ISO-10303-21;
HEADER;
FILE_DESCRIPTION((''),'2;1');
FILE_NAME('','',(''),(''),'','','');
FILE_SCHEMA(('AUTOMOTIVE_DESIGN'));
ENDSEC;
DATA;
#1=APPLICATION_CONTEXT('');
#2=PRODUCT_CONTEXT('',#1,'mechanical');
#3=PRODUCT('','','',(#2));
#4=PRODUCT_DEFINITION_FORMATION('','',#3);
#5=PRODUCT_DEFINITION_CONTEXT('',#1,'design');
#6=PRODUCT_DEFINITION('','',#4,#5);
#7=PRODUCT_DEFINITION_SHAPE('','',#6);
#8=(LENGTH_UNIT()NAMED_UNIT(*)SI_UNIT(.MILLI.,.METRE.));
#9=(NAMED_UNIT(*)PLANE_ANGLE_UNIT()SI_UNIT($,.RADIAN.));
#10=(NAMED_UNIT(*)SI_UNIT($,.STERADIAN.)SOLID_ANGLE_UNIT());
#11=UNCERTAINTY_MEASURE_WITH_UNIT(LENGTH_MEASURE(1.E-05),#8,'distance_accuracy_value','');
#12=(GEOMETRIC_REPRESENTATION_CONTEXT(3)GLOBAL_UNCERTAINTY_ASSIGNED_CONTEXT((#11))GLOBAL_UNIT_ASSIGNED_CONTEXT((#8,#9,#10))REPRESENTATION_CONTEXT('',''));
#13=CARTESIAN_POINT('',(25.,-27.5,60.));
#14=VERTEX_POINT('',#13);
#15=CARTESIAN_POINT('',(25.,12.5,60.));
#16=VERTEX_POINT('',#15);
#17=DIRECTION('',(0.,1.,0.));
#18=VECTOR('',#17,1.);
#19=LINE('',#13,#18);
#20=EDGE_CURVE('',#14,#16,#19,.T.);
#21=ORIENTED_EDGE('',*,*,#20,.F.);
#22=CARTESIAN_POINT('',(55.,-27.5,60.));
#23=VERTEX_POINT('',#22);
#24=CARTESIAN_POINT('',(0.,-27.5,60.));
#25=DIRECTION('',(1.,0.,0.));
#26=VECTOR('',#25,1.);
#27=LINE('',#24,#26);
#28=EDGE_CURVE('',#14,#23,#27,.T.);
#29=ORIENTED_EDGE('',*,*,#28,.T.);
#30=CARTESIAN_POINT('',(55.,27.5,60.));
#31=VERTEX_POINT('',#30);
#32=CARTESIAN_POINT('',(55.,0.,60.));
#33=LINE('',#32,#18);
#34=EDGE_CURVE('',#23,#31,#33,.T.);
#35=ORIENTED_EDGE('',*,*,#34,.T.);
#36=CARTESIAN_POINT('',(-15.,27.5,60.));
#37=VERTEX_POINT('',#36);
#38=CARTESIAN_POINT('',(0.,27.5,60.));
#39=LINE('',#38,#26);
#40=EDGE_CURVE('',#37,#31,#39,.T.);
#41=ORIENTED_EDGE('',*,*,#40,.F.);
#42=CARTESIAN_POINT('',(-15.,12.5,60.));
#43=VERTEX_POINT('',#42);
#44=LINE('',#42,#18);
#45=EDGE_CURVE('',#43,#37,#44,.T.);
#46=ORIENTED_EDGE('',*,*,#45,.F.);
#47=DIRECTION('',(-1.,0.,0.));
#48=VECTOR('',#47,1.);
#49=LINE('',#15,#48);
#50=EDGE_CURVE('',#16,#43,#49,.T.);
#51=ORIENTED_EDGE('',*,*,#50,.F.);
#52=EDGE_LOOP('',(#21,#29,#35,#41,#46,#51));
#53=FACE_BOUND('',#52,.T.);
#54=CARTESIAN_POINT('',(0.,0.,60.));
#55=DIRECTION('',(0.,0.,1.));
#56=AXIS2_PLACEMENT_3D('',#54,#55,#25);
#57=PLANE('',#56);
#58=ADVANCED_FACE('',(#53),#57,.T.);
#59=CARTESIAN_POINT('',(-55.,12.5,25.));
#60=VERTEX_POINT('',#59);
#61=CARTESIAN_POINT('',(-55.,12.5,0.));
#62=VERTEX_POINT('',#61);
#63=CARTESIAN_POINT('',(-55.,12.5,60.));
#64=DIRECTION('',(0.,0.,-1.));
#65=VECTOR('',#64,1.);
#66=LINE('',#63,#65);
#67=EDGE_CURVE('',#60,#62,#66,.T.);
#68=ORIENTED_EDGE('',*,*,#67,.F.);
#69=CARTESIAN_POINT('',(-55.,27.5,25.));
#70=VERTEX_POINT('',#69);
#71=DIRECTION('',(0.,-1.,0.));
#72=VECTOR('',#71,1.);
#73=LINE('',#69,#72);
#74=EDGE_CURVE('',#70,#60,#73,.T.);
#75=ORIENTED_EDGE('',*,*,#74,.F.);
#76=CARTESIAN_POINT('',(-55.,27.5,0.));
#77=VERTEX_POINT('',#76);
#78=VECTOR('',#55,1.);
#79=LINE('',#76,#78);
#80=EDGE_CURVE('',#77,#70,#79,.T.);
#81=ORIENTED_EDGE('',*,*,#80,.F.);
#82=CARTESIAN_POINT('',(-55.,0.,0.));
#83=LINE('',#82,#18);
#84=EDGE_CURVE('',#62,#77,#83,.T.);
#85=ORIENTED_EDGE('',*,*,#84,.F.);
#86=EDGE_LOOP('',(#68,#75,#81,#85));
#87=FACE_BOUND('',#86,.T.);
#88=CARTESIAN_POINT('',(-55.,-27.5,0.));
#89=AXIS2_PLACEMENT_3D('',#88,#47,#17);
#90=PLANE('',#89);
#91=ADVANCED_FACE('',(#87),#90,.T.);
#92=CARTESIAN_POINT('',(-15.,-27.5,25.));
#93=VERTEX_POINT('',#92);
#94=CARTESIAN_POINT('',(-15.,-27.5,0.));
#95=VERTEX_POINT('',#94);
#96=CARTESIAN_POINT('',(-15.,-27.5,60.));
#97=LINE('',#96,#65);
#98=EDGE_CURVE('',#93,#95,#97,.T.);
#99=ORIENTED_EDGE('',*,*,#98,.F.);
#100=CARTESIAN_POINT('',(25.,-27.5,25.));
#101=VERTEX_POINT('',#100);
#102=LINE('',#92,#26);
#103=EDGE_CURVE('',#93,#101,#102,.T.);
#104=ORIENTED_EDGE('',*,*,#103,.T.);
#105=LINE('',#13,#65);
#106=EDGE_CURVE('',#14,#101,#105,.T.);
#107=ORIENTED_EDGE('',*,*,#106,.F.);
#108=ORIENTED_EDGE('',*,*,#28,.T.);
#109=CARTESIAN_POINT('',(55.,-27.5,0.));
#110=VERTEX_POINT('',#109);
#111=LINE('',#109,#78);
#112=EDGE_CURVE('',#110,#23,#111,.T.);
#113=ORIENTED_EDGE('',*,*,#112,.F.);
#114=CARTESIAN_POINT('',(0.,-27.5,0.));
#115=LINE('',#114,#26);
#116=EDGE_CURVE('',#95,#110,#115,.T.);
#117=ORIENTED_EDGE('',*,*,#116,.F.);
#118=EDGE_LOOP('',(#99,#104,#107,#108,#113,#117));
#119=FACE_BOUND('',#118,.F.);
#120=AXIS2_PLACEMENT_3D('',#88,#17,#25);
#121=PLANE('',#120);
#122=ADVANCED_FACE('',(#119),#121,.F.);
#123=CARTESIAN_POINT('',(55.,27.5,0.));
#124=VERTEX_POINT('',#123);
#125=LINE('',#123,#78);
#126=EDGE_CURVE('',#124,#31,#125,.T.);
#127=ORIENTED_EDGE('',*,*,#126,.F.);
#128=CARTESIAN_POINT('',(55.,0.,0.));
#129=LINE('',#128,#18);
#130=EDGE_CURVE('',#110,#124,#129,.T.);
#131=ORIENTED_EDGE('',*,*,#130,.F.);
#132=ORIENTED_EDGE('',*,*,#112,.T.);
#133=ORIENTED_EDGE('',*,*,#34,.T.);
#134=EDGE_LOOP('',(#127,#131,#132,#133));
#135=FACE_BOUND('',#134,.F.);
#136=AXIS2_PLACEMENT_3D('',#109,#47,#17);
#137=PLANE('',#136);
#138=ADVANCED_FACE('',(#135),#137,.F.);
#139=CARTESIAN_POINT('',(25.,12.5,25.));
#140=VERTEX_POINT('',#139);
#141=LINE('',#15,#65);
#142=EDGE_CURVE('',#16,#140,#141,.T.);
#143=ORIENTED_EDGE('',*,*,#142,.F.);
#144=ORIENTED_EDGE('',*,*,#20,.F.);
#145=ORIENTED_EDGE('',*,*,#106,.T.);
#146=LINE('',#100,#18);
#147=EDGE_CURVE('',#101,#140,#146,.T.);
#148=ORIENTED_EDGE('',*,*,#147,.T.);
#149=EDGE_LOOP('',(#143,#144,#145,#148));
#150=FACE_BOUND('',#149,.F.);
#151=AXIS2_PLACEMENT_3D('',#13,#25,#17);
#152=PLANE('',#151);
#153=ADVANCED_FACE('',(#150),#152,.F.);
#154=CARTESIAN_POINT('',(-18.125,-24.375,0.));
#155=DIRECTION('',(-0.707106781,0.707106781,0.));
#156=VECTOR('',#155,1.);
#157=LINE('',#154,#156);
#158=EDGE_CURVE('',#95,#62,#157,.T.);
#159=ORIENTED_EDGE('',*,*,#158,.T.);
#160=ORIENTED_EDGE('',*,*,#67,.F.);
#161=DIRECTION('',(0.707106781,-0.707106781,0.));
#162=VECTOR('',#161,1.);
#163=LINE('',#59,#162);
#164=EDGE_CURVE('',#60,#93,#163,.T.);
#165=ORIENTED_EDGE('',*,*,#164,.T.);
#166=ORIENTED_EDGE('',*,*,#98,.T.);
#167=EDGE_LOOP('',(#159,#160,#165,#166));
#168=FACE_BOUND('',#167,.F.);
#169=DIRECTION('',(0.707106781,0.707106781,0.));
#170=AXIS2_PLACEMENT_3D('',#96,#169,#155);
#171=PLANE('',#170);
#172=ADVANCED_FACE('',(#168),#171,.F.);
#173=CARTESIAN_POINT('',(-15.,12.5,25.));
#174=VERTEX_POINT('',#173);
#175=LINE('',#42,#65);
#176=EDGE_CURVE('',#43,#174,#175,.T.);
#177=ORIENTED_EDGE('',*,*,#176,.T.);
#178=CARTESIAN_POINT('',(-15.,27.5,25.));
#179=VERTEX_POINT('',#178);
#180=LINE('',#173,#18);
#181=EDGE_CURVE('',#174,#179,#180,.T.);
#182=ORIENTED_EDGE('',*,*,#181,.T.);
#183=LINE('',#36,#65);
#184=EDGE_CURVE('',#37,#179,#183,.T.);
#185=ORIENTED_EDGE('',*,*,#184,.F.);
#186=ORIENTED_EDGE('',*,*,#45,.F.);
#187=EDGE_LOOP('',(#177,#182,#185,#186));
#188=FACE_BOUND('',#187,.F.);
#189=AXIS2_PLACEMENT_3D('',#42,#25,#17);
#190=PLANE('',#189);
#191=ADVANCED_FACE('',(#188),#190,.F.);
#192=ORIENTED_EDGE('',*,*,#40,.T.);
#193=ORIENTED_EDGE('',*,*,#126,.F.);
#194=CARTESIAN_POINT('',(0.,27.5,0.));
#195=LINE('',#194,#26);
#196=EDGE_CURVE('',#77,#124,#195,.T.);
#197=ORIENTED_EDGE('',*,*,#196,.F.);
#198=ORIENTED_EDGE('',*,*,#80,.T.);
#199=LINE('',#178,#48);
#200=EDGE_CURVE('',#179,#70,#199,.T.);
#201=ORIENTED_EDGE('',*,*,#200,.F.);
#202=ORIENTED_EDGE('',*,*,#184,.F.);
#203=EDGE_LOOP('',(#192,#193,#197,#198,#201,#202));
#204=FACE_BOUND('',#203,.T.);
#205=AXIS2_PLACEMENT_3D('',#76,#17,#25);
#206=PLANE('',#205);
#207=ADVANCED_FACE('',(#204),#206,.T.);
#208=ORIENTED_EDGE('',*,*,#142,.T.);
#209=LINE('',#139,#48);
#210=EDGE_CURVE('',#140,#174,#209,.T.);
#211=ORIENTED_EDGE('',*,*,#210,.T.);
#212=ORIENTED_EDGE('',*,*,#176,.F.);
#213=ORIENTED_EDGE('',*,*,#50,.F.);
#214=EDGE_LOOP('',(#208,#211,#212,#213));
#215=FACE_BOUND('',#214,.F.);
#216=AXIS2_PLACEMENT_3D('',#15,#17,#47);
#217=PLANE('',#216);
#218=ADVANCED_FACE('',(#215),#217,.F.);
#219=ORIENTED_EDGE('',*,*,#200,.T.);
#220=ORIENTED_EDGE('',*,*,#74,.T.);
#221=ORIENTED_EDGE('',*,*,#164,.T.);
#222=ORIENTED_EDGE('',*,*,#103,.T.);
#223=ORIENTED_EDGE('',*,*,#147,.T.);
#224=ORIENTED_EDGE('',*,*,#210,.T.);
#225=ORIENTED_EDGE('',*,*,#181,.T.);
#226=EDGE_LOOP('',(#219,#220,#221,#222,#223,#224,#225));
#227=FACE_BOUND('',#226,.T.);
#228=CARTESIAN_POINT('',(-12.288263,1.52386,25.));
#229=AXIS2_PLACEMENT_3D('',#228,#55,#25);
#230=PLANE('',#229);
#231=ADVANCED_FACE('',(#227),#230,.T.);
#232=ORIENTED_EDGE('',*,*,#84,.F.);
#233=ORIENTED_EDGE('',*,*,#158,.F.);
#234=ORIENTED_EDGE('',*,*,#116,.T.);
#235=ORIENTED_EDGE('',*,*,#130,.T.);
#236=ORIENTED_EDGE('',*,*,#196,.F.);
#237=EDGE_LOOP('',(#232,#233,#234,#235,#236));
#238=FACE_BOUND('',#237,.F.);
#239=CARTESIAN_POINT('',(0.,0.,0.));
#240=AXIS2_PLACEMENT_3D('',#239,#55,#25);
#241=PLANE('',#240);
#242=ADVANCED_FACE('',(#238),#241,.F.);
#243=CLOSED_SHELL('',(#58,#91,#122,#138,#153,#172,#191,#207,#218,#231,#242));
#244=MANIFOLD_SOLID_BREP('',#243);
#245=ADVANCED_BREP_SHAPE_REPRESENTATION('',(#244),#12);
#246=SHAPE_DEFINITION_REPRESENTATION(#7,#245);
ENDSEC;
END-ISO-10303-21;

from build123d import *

# Parameters (mm, degrees)
F0_W     = 110
F0_H     = 55
F1_DEPTH = 60
F3_DEPTH = 60.001
F5_DEPTH = 35


with BuildPart() as f1:
    # F0 (on Top) → F1 (new body)
    with BuildSketch(Plane.XY):
        Rectangle(F0_W, F0_H)
    extrude(amount=F1_DEPTH)

    # F2 (on face) → F3 (cut, through all)
    with BuildSketch(Plane.XY.offset(60)):
        Polygon((-15, -27.5), (-55, 12.5), (-55, -27.5), align=None)
    extrude(amount=-F3_DEPTH, mode=Mode.SUBTRACT)

    # F4 (on face) → F5 (cut)
    with BuildSketch(Plane.XY.offset(60)):
        Polygon((-15, -27.5), (25, -27.5), (25, 12.5), (-15, 12.5), (-15, 27.5), (-55, 27.5), (-55, 12.5), align=None)
    extrude(amount=-F5_DEPTH, mode=Mode.SUBTRACT)


solid = f1.part
